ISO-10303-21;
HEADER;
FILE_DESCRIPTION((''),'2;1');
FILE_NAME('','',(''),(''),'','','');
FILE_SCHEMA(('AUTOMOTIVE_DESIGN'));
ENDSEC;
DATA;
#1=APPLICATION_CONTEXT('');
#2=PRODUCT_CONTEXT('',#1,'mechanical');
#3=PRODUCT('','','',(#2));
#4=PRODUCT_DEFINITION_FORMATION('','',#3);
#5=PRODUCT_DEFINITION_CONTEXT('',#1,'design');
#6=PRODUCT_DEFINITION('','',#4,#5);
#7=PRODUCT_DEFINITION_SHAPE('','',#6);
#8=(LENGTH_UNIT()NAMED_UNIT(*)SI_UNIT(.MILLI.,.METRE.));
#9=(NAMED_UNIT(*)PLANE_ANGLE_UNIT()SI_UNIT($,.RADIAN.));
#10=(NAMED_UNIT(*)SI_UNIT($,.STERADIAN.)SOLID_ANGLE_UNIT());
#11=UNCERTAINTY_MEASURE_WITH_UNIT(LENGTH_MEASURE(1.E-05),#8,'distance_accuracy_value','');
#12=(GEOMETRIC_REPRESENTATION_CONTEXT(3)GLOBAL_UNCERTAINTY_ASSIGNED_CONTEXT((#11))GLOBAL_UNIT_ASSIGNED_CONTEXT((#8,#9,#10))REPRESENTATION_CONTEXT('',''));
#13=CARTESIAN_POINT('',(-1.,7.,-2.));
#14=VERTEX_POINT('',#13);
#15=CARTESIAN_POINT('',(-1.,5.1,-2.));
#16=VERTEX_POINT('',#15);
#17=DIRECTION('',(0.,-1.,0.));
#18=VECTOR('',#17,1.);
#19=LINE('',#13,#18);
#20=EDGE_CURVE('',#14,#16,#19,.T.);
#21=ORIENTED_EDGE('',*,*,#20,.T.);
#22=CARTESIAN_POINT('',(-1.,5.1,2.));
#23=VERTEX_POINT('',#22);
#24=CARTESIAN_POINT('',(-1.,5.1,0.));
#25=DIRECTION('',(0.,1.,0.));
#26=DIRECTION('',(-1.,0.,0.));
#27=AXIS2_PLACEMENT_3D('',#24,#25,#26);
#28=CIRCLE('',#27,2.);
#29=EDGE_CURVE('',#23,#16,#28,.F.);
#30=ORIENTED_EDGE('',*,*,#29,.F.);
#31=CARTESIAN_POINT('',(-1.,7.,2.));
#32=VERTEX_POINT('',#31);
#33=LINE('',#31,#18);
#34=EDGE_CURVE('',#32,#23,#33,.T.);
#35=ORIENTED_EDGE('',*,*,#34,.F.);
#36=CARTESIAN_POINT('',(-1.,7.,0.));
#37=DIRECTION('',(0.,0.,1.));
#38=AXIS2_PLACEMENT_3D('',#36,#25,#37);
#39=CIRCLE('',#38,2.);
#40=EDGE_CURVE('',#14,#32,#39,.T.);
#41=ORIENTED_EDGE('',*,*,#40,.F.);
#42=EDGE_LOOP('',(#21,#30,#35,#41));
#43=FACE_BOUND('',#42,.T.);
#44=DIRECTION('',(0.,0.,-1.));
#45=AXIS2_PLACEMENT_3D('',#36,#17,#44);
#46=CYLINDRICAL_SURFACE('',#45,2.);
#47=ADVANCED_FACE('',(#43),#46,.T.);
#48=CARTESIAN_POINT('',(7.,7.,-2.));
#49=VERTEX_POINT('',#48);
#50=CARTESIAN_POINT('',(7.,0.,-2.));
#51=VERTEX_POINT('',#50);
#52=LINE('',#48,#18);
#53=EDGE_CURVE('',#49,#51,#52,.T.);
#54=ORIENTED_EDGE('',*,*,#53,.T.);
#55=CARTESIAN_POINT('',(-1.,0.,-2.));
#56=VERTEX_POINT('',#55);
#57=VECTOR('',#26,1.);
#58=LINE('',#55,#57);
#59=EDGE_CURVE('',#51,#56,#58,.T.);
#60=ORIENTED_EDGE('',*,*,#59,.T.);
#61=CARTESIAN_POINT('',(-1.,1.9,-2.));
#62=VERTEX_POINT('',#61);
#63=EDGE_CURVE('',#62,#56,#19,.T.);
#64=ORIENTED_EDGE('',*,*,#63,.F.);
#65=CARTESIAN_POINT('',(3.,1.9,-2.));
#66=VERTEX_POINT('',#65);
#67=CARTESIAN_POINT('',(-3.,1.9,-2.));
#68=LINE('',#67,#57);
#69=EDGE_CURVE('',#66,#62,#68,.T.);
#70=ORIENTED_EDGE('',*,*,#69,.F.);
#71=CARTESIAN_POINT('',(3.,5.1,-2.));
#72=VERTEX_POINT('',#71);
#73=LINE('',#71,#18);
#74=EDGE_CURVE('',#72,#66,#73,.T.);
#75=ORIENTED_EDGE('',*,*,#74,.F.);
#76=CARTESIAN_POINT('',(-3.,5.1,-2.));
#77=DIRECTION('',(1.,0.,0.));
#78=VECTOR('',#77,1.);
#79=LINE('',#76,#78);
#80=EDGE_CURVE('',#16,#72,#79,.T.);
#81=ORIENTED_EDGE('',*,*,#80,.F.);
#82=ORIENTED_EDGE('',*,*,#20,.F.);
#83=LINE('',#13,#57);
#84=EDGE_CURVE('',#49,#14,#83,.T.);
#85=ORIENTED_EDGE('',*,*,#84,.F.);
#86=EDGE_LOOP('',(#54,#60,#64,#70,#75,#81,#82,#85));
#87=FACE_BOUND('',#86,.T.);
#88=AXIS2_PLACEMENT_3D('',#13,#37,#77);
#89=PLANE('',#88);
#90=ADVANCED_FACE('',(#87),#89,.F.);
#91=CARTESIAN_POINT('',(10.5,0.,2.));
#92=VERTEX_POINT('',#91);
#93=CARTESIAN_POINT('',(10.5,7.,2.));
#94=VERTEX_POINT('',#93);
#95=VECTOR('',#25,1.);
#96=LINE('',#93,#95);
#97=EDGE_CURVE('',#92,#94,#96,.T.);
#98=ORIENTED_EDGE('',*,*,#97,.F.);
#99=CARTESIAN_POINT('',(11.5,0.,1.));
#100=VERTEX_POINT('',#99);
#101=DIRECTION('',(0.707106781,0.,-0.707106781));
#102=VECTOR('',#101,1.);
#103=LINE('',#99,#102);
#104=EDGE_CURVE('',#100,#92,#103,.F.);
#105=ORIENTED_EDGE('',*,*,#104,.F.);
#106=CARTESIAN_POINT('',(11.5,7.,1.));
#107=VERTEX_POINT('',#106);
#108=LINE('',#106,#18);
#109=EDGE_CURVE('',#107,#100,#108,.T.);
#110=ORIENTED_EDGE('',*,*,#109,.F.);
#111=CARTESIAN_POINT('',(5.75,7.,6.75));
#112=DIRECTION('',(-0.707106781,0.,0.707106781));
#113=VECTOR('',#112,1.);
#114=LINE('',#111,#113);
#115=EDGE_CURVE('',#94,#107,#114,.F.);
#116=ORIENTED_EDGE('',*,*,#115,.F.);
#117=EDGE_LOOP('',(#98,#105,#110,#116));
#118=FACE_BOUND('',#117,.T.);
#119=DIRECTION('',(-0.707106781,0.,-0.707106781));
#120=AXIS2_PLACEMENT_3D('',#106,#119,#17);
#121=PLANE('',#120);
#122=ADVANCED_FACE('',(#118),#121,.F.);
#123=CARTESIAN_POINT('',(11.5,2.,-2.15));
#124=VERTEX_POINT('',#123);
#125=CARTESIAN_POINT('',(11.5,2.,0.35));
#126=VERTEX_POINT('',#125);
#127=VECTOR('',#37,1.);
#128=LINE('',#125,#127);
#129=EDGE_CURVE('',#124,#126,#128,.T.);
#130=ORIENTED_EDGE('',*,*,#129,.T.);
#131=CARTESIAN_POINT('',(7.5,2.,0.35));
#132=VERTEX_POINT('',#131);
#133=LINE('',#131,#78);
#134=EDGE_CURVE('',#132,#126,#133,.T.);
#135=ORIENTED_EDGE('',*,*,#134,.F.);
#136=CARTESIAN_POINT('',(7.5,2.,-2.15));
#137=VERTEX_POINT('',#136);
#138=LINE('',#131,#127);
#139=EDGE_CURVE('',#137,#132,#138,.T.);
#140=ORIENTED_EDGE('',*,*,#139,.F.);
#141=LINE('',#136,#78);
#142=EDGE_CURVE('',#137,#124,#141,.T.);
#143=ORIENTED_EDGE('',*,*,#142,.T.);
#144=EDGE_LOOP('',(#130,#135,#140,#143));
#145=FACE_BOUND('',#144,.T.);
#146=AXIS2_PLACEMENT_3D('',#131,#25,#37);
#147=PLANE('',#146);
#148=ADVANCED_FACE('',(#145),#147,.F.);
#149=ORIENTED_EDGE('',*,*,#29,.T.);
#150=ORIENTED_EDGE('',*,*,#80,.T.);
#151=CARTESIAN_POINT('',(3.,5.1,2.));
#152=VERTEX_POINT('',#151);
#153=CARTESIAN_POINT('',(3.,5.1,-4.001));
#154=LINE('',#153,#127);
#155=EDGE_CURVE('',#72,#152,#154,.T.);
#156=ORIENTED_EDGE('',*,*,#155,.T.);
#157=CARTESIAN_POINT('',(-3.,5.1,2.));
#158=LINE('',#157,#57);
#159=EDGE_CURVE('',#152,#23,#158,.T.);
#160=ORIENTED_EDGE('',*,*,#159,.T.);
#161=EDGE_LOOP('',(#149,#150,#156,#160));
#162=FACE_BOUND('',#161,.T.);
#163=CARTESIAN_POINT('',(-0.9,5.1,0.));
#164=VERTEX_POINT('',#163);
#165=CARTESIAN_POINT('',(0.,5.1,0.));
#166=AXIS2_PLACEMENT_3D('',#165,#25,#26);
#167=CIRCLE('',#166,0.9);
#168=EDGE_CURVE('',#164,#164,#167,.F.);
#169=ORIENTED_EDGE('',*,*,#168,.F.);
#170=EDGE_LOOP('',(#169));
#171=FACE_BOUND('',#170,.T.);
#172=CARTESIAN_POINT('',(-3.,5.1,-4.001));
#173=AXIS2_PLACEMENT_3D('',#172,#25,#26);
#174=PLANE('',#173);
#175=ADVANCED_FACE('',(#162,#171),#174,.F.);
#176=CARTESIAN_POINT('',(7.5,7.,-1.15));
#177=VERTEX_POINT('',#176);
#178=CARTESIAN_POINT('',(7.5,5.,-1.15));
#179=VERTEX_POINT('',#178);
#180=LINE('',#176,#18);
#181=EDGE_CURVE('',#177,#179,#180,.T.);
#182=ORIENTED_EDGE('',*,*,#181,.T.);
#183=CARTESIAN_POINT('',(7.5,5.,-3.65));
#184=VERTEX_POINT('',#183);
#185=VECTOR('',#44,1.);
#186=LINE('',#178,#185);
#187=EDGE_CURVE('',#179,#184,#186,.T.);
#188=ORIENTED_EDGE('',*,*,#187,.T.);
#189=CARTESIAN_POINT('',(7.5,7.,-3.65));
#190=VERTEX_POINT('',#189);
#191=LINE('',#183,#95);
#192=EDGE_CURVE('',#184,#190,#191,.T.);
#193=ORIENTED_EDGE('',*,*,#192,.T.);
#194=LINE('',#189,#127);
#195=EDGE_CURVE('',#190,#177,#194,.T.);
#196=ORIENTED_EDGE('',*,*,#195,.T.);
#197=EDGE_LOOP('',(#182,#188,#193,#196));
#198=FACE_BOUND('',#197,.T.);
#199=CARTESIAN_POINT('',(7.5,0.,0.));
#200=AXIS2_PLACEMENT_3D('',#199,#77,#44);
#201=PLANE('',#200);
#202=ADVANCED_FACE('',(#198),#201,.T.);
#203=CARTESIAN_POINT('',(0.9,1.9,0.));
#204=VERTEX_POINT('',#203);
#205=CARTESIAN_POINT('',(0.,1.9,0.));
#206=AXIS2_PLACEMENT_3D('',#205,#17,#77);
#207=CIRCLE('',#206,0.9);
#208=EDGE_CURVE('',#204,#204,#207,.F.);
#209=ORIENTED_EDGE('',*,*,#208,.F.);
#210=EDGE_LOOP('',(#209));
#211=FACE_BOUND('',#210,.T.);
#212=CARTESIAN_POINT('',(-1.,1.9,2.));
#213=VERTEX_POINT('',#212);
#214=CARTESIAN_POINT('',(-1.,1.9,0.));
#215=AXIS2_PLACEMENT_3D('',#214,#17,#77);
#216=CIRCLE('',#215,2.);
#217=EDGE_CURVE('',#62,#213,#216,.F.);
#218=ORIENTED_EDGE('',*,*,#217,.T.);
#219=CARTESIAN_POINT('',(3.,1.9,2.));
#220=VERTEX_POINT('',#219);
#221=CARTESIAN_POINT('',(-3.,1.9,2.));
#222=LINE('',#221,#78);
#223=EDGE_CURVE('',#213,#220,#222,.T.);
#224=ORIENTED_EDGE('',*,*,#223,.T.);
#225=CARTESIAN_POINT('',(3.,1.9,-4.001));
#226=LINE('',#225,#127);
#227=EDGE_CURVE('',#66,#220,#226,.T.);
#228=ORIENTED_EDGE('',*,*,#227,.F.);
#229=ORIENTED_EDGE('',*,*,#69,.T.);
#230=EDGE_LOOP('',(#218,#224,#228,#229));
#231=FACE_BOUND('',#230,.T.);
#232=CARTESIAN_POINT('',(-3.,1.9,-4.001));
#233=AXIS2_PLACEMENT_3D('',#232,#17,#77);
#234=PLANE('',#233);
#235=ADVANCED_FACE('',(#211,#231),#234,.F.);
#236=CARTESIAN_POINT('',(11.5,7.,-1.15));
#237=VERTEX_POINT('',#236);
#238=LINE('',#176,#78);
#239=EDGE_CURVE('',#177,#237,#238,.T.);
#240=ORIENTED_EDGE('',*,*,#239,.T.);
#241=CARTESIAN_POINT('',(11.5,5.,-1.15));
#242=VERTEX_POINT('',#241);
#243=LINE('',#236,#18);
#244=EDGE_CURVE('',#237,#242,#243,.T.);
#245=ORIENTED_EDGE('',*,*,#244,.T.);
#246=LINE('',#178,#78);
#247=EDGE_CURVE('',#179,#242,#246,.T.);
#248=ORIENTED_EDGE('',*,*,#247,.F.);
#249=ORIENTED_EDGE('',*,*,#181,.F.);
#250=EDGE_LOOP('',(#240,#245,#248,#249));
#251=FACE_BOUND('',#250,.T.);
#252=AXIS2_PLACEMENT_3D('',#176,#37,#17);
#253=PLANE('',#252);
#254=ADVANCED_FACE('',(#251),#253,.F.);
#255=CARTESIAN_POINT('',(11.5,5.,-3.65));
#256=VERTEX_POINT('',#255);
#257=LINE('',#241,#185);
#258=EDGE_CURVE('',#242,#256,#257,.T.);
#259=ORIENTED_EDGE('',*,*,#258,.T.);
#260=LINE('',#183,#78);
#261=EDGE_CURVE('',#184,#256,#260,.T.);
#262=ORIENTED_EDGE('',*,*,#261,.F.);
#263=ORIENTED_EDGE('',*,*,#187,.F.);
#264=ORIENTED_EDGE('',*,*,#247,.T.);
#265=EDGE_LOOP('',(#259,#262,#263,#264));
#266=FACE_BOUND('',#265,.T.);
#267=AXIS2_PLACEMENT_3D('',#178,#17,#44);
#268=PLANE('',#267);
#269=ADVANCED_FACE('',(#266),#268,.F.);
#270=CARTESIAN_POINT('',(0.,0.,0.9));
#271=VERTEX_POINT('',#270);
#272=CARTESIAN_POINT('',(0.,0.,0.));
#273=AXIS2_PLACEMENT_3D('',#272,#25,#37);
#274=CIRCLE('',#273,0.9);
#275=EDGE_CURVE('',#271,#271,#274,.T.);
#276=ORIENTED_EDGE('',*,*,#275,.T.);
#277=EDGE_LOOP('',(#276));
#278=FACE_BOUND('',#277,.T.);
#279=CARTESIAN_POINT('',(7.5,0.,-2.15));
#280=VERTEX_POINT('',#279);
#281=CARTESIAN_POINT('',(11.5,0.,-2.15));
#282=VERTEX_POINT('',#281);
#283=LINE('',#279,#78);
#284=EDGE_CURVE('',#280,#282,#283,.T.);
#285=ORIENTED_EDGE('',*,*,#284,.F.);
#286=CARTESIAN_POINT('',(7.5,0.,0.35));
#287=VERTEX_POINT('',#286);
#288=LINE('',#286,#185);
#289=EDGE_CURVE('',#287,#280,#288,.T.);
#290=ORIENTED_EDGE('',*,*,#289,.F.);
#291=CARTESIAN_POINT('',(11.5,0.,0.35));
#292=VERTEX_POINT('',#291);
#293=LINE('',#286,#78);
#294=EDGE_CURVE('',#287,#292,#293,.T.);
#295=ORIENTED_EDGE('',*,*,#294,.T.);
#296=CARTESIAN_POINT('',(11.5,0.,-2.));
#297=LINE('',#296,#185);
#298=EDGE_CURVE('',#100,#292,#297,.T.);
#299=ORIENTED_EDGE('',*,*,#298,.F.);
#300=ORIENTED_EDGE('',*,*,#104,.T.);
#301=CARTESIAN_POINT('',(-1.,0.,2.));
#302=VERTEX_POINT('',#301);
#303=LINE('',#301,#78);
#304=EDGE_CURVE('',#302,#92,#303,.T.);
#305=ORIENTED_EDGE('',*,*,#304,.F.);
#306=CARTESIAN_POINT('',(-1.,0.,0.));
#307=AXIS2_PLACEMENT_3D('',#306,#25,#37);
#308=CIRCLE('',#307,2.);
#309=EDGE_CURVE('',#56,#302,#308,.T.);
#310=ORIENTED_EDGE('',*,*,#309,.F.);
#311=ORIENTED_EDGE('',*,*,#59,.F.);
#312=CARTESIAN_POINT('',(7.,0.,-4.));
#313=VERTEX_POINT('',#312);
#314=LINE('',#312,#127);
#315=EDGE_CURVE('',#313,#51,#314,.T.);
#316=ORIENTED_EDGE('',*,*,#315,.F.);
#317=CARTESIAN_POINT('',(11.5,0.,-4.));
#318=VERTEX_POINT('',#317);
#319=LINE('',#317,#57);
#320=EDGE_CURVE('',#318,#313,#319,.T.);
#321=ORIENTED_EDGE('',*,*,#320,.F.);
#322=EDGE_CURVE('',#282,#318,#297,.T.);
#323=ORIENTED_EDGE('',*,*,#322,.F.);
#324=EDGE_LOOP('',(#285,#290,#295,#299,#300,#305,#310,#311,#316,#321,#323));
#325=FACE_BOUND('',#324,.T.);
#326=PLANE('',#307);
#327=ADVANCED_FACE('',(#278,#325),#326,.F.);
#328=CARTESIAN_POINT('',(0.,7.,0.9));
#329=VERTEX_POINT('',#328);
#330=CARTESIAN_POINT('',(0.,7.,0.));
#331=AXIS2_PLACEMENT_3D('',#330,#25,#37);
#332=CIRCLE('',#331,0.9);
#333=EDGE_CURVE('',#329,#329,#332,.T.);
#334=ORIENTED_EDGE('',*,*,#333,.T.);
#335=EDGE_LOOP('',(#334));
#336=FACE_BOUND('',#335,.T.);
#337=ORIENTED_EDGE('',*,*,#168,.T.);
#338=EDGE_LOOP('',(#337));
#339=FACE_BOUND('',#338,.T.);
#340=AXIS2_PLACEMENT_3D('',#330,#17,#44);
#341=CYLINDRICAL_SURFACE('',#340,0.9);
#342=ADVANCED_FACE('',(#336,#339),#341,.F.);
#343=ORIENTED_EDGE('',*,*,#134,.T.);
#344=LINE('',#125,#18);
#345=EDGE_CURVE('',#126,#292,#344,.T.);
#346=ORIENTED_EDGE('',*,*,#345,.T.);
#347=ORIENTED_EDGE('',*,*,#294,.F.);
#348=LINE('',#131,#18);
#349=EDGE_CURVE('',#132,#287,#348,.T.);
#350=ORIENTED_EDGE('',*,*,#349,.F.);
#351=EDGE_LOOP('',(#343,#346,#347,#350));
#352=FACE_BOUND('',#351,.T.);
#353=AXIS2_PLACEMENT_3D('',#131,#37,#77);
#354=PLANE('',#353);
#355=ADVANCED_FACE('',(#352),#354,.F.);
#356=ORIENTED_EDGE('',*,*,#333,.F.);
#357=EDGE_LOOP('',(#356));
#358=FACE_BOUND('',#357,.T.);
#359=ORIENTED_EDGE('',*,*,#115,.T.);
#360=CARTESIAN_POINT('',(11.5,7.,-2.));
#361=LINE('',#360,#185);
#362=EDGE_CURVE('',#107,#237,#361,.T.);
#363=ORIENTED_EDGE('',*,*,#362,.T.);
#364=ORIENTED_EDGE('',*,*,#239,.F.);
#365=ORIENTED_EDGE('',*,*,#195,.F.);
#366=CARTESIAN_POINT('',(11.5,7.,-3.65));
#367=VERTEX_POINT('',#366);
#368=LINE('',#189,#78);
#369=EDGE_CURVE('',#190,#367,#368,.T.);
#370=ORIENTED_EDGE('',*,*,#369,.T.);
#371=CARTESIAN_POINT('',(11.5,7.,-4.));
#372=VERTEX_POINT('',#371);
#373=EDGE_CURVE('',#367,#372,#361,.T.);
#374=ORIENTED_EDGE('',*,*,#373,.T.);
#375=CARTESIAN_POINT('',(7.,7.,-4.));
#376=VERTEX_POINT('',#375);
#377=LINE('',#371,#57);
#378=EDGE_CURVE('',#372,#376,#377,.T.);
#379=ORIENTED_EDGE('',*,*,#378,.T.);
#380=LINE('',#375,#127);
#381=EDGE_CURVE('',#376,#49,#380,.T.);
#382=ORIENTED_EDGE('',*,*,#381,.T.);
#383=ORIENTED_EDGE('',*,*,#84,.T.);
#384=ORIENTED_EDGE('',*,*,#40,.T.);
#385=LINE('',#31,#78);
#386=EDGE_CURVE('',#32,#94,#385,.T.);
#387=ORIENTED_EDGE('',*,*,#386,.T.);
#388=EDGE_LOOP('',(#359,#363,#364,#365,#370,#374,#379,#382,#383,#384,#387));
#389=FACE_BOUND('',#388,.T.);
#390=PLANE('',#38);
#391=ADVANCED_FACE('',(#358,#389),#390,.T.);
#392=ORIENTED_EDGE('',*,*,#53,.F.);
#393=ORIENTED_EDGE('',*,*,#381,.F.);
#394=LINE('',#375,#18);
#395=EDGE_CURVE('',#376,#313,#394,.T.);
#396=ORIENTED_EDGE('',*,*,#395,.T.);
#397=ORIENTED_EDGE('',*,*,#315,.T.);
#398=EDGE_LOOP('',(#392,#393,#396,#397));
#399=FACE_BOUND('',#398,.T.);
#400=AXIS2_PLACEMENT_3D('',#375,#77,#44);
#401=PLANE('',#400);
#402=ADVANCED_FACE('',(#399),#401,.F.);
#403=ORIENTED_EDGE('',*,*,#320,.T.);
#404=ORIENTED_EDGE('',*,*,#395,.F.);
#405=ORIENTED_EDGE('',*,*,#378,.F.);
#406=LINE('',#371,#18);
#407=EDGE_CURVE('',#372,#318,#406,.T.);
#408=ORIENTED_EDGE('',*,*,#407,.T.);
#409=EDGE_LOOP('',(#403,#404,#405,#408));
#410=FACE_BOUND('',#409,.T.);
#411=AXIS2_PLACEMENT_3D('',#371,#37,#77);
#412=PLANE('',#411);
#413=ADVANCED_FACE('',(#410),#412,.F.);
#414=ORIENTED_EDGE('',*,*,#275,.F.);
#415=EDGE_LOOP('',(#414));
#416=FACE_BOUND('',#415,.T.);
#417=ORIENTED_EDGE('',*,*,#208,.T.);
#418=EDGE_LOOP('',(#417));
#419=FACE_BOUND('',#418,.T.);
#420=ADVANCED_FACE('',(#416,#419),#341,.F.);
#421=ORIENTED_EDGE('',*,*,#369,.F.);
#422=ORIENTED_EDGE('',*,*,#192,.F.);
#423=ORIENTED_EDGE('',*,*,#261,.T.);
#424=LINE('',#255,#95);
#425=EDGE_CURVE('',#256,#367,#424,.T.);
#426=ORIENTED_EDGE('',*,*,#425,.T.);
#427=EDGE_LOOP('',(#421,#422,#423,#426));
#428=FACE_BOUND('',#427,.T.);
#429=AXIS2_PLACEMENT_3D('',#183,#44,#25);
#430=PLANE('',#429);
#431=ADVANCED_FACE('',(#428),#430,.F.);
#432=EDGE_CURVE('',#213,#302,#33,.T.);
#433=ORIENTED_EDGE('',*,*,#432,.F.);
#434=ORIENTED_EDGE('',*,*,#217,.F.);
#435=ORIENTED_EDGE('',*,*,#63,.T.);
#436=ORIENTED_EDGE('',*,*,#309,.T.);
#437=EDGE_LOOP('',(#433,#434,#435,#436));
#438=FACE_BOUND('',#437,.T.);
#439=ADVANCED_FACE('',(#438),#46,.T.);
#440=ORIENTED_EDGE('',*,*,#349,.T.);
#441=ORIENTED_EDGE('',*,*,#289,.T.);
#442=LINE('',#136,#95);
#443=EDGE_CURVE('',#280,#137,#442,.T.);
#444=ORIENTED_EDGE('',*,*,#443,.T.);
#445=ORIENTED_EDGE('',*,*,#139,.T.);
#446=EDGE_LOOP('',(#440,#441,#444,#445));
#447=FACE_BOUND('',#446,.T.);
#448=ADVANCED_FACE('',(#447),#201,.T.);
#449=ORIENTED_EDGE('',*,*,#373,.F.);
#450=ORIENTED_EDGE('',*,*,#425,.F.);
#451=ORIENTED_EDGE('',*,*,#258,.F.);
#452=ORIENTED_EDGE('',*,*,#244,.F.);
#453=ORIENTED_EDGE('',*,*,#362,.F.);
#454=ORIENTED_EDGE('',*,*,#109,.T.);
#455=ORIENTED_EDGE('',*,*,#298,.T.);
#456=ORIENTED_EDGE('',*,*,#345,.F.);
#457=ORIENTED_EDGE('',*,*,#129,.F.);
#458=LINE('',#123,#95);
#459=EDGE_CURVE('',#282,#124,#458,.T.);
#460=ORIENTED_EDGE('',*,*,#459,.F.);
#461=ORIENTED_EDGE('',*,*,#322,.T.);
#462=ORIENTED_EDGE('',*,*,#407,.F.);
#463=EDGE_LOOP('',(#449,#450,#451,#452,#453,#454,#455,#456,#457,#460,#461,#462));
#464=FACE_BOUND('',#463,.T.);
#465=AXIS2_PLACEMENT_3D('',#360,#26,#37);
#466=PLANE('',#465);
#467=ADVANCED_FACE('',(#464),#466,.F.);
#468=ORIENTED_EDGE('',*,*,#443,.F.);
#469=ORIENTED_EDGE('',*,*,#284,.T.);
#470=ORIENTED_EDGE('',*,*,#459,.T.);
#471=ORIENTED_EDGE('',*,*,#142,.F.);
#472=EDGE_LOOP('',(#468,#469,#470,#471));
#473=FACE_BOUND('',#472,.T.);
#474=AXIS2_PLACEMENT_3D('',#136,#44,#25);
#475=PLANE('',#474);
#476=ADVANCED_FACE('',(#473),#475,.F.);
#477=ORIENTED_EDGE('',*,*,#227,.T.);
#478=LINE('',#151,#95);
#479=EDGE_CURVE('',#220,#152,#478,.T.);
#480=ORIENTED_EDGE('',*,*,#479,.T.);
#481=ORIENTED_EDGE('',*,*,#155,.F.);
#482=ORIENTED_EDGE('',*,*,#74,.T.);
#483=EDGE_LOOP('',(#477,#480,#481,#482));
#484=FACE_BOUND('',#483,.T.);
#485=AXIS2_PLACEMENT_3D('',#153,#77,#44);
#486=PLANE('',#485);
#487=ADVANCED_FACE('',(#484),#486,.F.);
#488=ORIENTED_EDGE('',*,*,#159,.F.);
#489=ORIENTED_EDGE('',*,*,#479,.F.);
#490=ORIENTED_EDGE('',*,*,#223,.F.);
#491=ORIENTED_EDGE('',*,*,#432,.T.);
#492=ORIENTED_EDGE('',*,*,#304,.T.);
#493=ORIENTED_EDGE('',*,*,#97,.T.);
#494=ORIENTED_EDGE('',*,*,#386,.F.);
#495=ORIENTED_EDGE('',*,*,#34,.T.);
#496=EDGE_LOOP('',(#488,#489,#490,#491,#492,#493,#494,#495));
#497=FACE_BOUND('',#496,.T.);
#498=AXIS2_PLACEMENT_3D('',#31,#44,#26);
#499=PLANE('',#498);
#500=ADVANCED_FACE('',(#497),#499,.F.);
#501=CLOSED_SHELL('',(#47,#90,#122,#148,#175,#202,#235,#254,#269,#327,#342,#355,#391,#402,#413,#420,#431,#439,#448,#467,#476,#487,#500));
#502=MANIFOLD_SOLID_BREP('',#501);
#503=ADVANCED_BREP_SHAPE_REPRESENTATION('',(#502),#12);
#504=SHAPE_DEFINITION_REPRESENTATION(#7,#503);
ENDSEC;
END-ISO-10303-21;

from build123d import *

# Parameters (mm, degrees)
SKETCH1_R           = 0.9
BOSS_EXTRUDE1_DEPTH = 7
CUT_EXTRUDE1_REACH  = 16.739
SKETCH2_W           = 6
SKETCH2_H           = 3.2
SKETCH3_W           = 2.5
SKETCH3_H           = 2
CUT_EXTRUDE2_DEPTH  = 4
CHAMFER1_SIZE       = 1


with BuildPart() as part:
    # Sketch1 → Boss-Extrude1 (new body)
    with BuildSketch(Plane(origin=(0, 0, 0), x_dir=(1, 0, 0), z_dir=(0, 1, 0))):
        with BuildLine():
            Line((-1, 2), (7, 2))
            Line((7, 2), (7, 4))
            Line((7, 4), (11.5, 4))
            Line((11.5, 4), (11.5, 2))
            Line((11.5, 2), (11.5, -2))
            Line((11.5, -2), (-1, -2))
            ThreePointArc((-1, -2), (-3, 0), (-1, 2))
        make_face()
        with Locations(Location((0, 0, 0), (0, 0, 270))):
            Circle(SKETCH1_R, mode=Mode.SUBTRACT)
    extrude(amount=BOSS_EXTRUDE1_DEPTH)

    # Sketch2 → Cut-Extrude1 (cut, up to next)
    with BuildSketch(Plane.XY.offset(2), mode=Mode.PRIVATE) as cut_extrude1_sk1:
        with Locations((0, 3.5)):
            Rectangle(SKETCH2_W, SKETCH2_H)
    cut_extrude1_tool1 = extrude(cut_extrude1_sk1.sketch, amount=-CUT_EXTRUDE1_REACH, mode=Mode.PRIVATE) & part.part
    add(cut_extrude1_tool1.solids().sort_by_distance((0, 3.5, 2))[0], mode=Mode.SUBTRACT)

    # Sketch3 → Cut-Extrude2 (cut)
    with BuildSketch(Plane(origin=(11.5, 0, 0), x_dir=(0, 0, -1), z_dir=(1, 0, 0))):
        with Locations((2.4, 6)):
            Rectangle(SKETCH3_W, SKETCH3_H)
        with Locations((0.9, 1)):
            Rectangle(SKETCH3_W, SKETCH3_H)
    extrude(amount=-CUT_EXTRUDE2_DEPTH, mode=Mode.SUBTRACT)

    # Chamfer1
    chamfer1_edges = [part.edges().sort_by_distance(p)[0] for p in [
        (11.5, 3.5, 2),
    ]]
    chamfer(chamfer1_edges, length=CHAMFER1_SIZE)


solid = part.part
